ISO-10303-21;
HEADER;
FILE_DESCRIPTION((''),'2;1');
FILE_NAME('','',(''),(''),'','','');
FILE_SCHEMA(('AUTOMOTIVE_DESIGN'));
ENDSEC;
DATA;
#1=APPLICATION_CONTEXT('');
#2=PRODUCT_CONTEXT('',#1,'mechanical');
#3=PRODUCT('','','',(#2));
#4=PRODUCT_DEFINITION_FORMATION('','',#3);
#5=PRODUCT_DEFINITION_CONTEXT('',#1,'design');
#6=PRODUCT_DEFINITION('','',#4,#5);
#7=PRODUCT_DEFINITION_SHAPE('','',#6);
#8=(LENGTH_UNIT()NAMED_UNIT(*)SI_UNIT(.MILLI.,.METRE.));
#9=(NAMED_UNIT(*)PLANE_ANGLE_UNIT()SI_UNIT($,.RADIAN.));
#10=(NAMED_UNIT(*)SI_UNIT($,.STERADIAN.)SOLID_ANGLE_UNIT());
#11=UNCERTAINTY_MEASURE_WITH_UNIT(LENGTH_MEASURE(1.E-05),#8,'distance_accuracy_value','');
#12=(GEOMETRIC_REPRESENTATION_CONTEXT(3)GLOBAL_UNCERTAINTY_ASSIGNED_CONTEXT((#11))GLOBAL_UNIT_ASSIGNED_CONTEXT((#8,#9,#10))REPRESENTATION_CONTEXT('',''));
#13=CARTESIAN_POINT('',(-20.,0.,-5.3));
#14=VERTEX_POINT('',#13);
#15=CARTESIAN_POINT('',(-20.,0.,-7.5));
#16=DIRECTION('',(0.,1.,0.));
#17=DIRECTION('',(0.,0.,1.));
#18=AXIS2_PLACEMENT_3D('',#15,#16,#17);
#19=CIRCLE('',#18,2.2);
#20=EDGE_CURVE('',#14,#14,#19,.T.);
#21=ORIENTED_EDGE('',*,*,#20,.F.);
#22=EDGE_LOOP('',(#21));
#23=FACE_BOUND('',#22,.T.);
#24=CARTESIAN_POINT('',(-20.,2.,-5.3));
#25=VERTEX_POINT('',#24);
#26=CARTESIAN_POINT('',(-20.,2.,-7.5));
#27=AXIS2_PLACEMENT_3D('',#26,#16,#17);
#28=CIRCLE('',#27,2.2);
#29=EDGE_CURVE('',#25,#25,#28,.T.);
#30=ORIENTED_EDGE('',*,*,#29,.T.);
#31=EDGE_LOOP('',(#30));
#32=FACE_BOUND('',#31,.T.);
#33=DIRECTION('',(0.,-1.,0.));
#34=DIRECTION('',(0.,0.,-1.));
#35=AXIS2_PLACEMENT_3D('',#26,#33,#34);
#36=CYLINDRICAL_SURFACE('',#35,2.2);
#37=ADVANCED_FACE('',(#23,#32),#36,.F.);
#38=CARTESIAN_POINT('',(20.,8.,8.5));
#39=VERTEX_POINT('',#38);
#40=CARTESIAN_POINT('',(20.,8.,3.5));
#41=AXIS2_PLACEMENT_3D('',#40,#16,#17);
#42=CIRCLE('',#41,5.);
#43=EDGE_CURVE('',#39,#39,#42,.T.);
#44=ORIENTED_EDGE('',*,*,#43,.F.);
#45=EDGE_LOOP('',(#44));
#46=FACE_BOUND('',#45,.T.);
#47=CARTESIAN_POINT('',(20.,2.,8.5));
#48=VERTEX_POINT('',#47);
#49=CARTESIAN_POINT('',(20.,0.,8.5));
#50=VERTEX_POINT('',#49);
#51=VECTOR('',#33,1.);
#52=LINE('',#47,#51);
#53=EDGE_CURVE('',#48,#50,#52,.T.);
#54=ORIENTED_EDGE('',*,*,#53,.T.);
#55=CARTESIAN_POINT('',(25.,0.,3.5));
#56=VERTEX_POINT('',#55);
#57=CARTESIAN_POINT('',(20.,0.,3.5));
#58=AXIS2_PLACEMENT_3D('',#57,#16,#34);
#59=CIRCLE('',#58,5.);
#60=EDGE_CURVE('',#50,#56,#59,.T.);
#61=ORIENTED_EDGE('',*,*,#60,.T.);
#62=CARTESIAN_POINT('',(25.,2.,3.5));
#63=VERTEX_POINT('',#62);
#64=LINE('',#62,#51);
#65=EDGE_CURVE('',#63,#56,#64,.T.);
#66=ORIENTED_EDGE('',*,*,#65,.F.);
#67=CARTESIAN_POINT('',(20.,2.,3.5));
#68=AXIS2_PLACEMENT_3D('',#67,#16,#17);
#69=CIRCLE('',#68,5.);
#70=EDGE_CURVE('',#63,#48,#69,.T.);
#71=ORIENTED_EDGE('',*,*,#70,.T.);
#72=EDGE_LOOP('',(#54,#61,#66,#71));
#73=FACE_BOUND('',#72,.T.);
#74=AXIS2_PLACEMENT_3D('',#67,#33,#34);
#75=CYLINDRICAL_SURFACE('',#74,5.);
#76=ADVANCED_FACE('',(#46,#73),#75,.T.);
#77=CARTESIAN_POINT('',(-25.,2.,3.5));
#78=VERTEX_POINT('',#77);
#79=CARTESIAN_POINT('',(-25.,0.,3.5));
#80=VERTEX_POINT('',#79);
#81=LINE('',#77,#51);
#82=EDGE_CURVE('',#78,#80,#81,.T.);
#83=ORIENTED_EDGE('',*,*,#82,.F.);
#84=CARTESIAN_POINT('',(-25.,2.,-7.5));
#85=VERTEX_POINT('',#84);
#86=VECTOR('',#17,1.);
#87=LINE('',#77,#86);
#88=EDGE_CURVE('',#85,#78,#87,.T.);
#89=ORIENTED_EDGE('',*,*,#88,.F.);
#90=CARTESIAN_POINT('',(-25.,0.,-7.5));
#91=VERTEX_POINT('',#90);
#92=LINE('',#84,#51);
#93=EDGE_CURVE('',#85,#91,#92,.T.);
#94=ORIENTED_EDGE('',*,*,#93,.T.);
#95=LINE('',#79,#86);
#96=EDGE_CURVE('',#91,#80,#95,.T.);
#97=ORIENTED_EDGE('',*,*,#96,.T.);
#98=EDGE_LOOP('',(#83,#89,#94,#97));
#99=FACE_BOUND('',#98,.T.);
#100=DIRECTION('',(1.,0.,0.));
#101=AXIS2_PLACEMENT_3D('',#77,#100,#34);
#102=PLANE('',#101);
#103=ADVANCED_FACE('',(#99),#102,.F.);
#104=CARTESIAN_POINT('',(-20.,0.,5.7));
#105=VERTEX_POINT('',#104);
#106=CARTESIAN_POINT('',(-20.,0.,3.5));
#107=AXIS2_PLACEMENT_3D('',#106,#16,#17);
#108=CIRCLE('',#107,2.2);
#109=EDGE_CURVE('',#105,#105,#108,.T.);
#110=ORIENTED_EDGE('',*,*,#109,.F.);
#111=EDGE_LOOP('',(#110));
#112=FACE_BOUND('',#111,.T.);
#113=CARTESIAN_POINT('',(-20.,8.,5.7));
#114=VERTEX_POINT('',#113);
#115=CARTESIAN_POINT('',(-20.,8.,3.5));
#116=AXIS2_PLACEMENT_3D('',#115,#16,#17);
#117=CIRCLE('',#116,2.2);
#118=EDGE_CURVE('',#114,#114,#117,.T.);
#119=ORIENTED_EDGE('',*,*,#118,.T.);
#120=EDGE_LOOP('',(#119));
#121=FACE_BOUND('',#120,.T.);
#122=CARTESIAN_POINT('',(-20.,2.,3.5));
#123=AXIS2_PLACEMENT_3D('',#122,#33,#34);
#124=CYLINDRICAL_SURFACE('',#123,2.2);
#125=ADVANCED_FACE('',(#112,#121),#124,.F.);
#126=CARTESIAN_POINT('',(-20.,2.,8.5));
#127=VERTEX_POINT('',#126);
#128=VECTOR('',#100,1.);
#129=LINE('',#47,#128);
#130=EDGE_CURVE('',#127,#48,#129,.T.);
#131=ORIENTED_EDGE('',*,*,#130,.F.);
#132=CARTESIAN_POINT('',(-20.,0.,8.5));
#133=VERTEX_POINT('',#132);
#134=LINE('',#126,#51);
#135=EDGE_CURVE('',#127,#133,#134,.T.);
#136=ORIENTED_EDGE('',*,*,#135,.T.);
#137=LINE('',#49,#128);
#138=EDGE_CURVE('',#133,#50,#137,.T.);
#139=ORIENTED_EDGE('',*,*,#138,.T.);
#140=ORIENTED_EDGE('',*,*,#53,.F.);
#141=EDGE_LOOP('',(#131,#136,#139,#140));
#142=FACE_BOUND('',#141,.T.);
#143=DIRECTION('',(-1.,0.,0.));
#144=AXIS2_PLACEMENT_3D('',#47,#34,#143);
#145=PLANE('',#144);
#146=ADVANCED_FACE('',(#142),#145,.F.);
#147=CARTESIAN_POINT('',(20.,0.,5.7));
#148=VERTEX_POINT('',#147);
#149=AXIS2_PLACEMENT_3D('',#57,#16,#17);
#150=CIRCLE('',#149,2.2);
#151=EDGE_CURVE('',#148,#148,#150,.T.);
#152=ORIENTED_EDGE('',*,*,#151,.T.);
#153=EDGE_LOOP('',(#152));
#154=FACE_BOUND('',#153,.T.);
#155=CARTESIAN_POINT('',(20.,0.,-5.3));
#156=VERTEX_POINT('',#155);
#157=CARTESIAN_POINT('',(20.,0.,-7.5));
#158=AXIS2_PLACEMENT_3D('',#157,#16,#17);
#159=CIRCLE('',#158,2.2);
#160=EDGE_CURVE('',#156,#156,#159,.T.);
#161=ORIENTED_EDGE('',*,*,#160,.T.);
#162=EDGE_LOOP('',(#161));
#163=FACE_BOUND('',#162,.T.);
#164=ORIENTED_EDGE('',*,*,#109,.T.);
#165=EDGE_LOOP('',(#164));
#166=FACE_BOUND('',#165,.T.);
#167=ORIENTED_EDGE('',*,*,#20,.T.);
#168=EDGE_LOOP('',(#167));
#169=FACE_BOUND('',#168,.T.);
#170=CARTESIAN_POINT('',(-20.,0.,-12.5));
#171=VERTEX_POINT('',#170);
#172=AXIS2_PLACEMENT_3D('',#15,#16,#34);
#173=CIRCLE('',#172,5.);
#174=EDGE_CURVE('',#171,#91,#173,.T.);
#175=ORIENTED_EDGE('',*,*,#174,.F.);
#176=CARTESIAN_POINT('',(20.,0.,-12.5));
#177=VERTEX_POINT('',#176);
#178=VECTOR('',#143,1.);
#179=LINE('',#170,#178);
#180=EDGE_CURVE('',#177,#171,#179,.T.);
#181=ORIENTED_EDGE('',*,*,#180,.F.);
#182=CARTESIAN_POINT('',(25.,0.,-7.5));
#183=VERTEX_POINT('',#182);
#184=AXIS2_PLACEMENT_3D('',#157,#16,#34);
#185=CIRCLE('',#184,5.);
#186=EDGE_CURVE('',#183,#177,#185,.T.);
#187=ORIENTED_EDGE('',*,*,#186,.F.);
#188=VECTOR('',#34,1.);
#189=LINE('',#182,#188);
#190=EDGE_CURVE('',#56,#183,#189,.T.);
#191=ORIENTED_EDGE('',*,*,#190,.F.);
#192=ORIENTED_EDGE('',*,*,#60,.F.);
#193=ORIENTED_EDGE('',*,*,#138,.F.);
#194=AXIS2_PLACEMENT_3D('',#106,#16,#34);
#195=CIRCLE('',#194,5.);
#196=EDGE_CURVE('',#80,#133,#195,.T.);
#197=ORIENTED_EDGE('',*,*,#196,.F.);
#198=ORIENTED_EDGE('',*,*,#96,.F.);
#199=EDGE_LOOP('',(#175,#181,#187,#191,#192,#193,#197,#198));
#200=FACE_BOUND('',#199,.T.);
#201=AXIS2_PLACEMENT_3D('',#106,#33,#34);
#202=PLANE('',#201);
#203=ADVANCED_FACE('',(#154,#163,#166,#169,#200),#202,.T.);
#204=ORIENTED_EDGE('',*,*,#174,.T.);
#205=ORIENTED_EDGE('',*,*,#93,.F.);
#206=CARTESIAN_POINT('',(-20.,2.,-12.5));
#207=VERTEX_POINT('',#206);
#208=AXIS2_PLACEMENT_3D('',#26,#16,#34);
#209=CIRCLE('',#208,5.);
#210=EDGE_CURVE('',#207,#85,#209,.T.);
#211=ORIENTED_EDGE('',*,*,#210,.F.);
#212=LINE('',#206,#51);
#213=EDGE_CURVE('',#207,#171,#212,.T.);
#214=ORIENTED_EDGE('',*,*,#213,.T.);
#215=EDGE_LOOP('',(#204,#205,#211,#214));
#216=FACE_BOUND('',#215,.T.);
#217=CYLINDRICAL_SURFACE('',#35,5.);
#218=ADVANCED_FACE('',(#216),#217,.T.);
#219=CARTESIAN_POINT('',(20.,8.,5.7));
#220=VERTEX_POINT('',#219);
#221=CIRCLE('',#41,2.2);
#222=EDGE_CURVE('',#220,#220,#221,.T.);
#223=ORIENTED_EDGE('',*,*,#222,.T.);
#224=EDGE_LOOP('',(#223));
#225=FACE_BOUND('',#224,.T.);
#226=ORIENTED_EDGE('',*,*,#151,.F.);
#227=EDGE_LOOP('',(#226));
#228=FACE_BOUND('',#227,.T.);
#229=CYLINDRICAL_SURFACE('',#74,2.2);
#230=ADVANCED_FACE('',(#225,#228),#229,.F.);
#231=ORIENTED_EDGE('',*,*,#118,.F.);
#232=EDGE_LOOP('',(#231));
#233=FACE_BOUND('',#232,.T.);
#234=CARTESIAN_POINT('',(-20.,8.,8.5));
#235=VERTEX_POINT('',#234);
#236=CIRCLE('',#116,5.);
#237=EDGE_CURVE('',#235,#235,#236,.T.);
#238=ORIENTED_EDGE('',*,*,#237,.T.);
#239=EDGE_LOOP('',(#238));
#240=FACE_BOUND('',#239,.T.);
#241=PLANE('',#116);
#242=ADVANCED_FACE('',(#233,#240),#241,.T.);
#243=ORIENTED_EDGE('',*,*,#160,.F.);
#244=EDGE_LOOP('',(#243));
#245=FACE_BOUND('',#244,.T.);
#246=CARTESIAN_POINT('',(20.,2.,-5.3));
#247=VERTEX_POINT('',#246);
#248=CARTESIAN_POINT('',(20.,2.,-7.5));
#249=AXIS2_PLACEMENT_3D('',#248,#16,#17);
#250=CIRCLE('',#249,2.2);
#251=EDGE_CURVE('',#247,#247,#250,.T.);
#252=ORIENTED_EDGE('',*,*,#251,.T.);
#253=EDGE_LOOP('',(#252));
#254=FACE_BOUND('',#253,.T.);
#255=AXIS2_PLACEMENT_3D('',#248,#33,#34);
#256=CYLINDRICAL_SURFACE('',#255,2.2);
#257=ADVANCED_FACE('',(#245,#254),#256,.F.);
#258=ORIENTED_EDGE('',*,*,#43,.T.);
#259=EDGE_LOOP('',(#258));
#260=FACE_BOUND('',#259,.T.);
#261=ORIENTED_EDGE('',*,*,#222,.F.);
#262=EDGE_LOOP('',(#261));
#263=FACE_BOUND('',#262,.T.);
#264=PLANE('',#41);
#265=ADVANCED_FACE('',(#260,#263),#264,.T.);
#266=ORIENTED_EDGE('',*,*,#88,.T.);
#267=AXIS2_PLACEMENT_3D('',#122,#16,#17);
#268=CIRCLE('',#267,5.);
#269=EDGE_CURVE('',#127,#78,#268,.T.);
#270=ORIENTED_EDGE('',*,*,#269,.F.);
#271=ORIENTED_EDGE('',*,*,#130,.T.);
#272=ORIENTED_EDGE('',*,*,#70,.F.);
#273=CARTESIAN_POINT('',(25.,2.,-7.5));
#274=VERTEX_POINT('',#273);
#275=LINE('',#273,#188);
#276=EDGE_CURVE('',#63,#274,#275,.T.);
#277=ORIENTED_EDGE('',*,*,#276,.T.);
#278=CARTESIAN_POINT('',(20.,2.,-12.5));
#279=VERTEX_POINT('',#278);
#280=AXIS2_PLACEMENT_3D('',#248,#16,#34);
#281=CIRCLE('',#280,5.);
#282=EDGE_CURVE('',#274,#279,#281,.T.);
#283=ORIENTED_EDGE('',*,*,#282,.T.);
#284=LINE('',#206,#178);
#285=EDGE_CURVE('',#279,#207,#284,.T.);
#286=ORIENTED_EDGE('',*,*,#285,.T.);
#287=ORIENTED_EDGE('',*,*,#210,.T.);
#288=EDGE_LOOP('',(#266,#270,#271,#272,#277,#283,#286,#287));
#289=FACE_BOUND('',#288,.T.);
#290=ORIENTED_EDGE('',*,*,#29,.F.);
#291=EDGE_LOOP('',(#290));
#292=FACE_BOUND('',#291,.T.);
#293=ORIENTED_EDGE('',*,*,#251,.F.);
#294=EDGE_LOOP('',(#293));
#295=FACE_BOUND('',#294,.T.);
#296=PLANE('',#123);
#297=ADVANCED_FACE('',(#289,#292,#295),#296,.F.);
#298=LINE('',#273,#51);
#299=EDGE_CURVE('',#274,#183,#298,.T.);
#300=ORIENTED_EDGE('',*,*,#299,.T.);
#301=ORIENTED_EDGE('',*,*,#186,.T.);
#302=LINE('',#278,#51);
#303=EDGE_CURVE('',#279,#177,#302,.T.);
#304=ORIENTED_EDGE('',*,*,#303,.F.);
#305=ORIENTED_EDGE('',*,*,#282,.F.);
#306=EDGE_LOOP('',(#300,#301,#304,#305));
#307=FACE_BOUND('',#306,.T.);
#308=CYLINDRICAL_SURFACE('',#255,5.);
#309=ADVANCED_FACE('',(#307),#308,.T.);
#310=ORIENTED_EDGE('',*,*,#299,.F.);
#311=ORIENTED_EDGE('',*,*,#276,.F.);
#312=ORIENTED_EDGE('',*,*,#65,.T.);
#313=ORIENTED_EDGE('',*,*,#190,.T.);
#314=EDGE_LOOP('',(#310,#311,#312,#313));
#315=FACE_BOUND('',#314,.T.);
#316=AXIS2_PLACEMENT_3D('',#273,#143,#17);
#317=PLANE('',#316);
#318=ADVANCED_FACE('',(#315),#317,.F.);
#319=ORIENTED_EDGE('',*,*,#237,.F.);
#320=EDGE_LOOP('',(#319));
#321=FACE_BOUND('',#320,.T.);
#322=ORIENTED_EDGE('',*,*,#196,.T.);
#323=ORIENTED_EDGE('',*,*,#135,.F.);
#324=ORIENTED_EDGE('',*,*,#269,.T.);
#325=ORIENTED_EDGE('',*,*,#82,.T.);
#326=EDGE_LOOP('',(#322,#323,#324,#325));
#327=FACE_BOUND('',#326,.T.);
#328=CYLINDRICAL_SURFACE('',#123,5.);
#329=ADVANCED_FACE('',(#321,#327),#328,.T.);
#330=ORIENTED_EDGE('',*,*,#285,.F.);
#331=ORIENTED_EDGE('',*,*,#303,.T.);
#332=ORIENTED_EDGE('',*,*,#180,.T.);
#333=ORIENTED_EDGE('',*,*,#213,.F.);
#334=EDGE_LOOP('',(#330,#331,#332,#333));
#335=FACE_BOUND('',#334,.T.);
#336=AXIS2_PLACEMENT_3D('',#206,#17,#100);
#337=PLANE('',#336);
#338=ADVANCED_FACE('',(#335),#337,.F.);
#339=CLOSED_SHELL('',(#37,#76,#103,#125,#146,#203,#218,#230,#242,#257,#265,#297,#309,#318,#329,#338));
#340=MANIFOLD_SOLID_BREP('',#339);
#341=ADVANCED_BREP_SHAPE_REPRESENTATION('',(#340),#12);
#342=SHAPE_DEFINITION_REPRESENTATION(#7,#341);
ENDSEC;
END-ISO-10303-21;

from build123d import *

# Parameters (mm, degrees)
SKETCH_1_R      = 2.2
EXTRUDE_1_DEPTH = 2
SKETCH_2_R      = 5
SKETCH_2_R_2    = 2.2
EXTRUDE_3_DEPTH = 6


with BuildPart() as part:
    # 草图1 → 凸台-拉伸1 (new body)
    with BuildSketch(Plane(origin=(0, 0, 0), x_dir=(1, 0, 0), z_dir=(0, 1, 0))):
        with BuildLine():
            Line((-20, 12.5), (20, 12.5))
            ThreePointArc((20, 12.5), (23.535533906, 11.035533906), (25, 7.5))
            Line((25, 7.5), (25, -3.5))
            ThreePointArc((25, -3.5), (23.535533906, -7.035533906), (20, -8.5))
            Line((20, -8.5), (-20, -8.5))
            ThreePointArc((-20, -8.5), (-23.535533906, -7.035533906), (-25, -3.5))
            Line((-25, -3.5), (-25, 7.5))
            ThreePointArc((-25, 7.5), (-23.535533906, 11.035533906), (-20, 12.5))
        make_face()
        with Locations(Location((20, 7.5, 0), (0, 0, 270))):
            Circle(SKETCH_1_R, mode=Mode.SUBTRACT)
        with Locations(Location((-20, 7.5, 0), (0, 0, 270))):
            Circle(SKETCH_1_R, mode=Mode.SUBTRACT)
        with Locations(Location((20, -3.5, 0), (0, 0, 270))):
            Circle(SKETCH_1_R, mode=Mode.SUBTRACT)
        with Locations(Location((-20, -3.5, 0), (0, 0, 270))):
            Circle(SKETCH_1_R, mode=Mode.SUBTRACT)
    extrude(amount=EXTRUDE_1_DEPTH)

    # 草图2 → 凸台-拉伸3 (add)
    # profile 1 of 2: a face of its own
    with BuildSketch(Plane(origin=(0, 2, 0), x_dir=(1, 0, 0), z_dir=(0, 1, 0))):
        with Locations(Location((-20, -3.5, 0), (0, 0, 270))):
            Circle(SKETCH_2_R)
        with Locations(Location((-20, -3.5, 0), (0, 0, 270))):
            Circle(SKETCH_2_R_2, mode=Mode.SUBTRACT)
    # profile 2 of 2: a face of its own
    with BuildSketch(Plane(origin=(0, 2, 0), x_dir=(1, 0, 0), z_dir=(0, 1, 0))):
        with Locations(Location((20, -3.5, 0), (0, 0, 270))):
            Circle(SKETCH_2_R)
        with Locations(Location((20, -3.5, 0), (0, 0, 270))):
            Circle(SKETCH_2_R_2, mode=Mode.SUBTRACT)
    extrude(amount=EXTRUDE_3_DEPTH)


solid = part.part
